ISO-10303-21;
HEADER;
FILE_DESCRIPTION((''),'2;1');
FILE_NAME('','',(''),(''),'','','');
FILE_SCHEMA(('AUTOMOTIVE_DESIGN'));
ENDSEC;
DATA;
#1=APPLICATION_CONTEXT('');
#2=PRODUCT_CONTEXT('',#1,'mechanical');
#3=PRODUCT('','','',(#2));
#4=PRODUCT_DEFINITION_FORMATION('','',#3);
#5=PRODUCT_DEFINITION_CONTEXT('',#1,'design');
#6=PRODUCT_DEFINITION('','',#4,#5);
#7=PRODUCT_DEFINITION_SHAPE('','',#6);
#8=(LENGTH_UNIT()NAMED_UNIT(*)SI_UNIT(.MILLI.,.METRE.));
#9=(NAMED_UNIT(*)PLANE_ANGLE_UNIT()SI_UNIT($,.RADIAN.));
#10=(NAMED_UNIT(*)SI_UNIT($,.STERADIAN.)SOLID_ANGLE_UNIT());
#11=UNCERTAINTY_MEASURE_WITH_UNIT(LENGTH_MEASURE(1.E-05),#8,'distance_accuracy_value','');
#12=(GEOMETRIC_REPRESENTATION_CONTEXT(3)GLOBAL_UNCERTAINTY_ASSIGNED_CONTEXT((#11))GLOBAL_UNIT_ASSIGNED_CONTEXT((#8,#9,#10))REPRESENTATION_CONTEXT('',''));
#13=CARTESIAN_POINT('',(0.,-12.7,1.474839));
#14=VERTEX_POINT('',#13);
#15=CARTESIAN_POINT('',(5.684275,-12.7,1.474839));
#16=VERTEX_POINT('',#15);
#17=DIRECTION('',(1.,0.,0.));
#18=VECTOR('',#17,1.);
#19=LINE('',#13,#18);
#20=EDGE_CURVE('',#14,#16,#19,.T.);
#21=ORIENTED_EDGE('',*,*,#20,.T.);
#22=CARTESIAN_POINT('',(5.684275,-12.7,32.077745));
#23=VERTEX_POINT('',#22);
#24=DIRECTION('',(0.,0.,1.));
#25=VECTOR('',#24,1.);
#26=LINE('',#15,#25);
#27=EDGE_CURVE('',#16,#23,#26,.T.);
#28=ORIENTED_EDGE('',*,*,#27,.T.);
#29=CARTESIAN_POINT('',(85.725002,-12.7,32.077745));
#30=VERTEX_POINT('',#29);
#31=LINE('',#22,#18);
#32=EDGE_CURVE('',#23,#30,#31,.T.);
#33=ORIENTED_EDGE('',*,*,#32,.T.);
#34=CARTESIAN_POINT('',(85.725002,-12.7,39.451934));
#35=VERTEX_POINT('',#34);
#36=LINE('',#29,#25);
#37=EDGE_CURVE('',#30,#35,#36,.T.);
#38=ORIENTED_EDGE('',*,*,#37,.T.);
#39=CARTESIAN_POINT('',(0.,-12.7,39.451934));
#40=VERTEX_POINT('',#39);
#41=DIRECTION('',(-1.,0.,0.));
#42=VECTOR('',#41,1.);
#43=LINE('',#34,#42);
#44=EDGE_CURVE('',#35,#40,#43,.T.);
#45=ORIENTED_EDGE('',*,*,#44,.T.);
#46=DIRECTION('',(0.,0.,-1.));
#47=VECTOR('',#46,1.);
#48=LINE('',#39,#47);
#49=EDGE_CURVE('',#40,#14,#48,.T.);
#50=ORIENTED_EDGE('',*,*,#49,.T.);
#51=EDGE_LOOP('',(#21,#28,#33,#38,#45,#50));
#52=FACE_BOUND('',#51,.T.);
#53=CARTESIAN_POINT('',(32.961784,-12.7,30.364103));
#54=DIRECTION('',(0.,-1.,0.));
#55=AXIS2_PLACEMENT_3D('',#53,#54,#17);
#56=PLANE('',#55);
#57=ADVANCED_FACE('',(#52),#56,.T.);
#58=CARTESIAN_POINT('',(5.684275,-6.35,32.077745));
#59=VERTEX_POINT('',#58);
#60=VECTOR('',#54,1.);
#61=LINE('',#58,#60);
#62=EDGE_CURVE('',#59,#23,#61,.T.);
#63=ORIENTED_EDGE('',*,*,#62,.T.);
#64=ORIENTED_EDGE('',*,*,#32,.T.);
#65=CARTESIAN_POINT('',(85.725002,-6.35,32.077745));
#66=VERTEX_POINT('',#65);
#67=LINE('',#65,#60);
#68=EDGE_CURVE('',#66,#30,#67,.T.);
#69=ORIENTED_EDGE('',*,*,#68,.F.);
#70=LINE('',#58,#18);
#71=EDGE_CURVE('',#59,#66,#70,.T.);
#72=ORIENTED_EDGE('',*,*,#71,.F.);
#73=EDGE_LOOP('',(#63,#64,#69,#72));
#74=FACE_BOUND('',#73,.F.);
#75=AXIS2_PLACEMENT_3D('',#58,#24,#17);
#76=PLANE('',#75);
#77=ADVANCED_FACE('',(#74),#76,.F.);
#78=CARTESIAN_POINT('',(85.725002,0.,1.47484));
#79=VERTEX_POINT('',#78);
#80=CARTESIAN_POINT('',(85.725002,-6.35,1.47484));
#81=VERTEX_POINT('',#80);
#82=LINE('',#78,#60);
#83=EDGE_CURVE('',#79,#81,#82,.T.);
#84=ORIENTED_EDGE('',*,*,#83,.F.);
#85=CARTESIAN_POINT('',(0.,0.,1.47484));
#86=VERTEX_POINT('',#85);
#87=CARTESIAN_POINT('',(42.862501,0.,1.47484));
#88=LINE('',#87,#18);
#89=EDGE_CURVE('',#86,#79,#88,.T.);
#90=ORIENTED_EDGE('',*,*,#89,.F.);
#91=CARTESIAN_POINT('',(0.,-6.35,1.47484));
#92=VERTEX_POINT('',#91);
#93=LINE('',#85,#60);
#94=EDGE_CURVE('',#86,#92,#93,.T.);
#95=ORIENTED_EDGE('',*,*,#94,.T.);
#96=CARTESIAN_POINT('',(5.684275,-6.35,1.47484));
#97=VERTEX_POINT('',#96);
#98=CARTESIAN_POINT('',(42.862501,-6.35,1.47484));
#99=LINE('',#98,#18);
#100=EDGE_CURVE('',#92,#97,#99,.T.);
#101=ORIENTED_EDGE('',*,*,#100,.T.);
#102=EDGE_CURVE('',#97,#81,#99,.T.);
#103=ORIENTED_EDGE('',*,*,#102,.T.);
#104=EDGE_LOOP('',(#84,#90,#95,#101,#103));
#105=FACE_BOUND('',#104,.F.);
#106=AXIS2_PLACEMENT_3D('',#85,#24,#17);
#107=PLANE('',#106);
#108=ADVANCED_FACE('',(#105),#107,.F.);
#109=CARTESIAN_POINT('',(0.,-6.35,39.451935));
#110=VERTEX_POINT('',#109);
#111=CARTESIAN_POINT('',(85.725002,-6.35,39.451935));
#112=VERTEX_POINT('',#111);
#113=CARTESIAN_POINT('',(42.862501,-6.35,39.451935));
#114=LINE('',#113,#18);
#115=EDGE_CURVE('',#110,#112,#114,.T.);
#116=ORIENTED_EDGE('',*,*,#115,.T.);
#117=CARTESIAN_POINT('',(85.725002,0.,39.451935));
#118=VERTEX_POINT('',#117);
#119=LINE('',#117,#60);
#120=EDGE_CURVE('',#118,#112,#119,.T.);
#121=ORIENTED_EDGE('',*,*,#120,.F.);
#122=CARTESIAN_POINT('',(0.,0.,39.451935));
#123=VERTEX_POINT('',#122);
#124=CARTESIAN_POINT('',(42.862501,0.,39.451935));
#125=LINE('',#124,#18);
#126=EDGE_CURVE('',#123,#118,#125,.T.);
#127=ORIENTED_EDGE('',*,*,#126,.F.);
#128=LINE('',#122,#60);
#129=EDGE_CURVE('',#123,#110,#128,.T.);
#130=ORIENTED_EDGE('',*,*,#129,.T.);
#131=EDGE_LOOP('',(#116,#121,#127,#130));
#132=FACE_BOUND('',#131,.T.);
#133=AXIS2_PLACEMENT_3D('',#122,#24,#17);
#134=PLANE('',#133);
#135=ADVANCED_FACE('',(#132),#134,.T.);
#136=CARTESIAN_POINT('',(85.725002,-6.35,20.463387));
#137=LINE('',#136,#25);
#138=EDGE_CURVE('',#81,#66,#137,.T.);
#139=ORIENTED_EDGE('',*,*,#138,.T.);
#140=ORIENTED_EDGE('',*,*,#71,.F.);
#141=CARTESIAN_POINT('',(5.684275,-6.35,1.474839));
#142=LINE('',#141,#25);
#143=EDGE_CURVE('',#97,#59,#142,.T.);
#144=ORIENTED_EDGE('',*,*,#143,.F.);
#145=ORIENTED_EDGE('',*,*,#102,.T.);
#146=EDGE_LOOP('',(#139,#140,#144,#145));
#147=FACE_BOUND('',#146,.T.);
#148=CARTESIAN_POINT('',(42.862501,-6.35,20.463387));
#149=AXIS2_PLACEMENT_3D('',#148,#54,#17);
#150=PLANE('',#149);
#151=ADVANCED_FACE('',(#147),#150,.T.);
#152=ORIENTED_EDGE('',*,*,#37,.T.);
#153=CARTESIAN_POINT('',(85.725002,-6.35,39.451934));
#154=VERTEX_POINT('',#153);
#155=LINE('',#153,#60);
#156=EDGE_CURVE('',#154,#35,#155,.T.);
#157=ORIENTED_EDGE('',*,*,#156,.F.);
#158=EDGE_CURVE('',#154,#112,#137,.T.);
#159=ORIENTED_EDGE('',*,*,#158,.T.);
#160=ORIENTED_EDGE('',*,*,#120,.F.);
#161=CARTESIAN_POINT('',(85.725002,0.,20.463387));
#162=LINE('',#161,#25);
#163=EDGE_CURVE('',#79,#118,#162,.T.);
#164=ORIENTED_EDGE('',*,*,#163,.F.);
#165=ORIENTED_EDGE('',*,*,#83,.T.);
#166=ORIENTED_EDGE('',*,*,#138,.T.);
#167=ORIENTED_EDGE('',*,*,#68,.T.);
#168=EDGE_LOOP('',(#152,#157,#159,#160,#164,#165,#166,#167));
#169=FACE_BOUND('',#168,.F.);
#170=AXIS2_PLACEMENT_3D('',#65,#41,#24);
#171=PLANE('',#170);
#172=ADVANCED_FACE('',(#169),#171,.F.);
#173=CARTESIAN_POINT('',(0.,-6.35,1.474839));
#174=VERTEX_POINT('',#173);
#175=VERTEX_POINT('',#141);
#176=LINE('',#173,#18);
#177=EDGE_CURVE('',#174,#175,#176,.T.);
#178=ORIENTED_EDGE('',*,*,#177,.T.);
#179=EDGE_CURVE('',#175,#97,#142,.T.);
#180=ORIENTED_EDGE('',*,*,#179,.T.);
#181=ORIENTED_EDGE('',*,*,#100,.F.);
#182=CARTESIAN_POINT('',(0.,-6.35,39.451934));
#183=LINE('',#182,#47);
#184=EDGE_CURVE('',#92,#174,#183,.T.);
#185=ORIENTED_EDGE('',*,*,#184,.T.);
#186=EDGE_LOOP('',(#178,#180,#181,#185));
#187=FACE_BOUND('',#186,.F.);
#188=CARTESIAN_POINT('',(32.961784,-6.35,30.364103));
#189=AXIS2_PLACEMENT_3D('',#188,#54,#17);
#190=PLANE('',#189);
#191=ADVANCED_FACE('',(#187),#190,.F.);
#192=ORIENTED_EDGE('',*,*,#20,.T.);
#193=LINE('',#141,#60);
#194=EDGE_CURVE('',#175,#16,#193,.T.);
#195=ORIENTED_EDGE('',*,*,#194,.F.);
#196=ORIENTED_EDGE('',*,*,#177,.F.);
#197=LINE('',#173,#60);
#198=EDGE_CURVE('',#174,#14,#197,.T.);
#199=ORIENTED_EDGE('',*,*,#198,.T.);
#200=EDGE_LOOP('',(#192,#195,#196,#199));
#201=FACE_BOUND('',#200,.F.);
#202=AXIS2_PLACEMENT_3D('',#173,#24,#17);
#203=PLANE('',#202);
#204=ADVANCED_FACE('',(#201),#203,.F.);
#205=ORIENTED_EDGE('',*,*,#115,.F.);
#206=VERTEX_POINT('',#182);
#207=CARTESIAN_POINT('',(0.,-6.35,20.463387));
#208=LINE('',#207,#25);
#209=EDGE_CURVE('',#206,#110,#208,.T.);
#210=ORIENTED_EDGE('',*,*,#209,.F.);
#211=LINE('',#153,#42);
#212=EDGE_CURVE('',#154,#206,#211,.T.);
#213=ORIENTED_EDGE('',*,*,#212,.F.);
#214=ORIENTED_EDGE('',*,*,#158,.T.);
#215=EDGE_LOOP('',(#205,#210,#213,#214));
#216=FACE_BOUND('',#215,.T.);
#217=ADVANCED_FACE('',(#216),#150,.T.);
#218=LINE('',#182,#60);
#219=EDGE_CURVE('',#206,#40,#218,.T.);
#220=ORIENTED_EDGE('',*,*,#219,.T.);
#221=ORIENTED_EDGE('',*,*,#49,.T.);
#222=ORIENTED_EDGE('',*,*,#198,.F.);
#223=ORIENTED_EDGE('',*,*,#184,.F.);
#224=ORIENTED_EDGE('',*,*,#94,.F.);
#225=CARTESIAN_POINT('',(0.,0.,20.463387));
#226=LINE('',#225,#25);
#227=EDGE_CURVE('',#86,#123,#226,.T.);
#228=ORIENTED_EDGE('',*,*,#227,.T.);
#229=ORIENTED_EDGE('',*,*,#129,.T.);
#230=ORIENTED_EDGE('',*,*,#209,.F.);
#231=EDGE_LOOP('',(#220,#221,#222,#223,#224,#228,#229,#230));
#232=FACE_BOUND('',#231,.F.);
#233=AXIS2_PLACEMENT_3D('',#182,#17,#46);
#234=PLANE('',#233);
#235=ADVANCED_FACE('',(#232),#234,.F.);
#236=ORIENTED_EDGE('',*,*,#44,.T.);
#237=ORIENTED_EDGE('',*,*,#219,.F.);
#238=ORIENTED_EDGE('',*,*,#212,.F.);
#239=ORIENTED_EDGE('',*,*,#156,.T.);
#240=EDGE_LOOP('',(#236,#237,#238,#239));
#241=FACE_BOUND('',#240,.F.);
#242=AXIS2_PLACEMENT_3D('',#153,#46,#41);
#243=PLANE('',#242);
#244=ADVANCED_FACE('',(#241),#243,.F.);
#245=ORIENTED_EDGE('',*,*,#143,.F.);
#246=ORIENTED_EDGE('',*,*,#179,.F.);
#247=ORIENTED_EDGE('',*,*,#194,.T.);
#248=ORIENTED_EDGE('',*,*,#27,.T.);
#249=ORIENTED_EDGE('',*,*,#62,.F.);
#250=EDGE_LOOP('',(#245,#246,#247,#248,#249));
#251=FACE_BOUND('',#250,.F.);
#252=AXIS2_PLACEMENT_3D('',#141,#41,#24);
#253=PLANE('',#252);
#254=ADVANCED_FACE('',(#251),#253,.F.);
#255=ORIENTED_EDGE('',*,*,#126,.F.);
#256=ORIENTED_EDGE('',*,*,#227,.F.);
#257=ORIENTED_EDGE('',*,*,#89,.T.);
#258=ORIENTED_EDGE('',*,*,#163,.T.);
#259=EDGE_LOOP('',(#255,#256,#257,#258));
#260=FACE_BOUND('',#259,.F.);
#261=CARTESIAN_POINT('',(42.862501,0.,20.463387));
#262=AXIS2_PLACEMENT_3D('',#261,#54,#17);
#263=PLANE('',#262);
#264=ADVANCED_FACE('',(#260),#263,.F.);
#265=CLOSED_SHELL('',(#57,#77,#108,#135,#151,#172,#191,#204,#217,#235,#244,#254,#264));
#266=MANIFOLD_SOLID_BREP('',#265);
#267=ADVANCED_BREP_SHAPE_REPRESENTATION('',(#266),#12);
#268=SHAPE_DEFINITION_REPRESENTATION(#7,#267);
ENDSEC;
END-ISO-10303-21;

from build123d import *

# Parameters (mm, degrees)
F0_W     = 85.725002
F0_H     = 37.977095
F1_DEPTH = 6.35
F3_DEPTH = 6.35


with BuildPart() as f1:
    # F0 (on Front) → F1 (new body)
    with BuildSketch(Plane.XZ):
        with Locations((42.862501, 20.463387)):
            Rectangle(F0_W, F0_H)
    extrude(amount=F1_DEPTH)

    # F2 (on face) → F3 (join)
    with BuildSketch(Plane.XZ.offset(6.35)):
        Polygon((0, 39.451934), (0, 1.474839), (5.684275, 1.474839), (5.684275, 32.077745), (85.725002, 32.077745), (85.725002, 39.451934), align=None)
    extrude(amount=F3_DEPTH)


solid = f1.part
